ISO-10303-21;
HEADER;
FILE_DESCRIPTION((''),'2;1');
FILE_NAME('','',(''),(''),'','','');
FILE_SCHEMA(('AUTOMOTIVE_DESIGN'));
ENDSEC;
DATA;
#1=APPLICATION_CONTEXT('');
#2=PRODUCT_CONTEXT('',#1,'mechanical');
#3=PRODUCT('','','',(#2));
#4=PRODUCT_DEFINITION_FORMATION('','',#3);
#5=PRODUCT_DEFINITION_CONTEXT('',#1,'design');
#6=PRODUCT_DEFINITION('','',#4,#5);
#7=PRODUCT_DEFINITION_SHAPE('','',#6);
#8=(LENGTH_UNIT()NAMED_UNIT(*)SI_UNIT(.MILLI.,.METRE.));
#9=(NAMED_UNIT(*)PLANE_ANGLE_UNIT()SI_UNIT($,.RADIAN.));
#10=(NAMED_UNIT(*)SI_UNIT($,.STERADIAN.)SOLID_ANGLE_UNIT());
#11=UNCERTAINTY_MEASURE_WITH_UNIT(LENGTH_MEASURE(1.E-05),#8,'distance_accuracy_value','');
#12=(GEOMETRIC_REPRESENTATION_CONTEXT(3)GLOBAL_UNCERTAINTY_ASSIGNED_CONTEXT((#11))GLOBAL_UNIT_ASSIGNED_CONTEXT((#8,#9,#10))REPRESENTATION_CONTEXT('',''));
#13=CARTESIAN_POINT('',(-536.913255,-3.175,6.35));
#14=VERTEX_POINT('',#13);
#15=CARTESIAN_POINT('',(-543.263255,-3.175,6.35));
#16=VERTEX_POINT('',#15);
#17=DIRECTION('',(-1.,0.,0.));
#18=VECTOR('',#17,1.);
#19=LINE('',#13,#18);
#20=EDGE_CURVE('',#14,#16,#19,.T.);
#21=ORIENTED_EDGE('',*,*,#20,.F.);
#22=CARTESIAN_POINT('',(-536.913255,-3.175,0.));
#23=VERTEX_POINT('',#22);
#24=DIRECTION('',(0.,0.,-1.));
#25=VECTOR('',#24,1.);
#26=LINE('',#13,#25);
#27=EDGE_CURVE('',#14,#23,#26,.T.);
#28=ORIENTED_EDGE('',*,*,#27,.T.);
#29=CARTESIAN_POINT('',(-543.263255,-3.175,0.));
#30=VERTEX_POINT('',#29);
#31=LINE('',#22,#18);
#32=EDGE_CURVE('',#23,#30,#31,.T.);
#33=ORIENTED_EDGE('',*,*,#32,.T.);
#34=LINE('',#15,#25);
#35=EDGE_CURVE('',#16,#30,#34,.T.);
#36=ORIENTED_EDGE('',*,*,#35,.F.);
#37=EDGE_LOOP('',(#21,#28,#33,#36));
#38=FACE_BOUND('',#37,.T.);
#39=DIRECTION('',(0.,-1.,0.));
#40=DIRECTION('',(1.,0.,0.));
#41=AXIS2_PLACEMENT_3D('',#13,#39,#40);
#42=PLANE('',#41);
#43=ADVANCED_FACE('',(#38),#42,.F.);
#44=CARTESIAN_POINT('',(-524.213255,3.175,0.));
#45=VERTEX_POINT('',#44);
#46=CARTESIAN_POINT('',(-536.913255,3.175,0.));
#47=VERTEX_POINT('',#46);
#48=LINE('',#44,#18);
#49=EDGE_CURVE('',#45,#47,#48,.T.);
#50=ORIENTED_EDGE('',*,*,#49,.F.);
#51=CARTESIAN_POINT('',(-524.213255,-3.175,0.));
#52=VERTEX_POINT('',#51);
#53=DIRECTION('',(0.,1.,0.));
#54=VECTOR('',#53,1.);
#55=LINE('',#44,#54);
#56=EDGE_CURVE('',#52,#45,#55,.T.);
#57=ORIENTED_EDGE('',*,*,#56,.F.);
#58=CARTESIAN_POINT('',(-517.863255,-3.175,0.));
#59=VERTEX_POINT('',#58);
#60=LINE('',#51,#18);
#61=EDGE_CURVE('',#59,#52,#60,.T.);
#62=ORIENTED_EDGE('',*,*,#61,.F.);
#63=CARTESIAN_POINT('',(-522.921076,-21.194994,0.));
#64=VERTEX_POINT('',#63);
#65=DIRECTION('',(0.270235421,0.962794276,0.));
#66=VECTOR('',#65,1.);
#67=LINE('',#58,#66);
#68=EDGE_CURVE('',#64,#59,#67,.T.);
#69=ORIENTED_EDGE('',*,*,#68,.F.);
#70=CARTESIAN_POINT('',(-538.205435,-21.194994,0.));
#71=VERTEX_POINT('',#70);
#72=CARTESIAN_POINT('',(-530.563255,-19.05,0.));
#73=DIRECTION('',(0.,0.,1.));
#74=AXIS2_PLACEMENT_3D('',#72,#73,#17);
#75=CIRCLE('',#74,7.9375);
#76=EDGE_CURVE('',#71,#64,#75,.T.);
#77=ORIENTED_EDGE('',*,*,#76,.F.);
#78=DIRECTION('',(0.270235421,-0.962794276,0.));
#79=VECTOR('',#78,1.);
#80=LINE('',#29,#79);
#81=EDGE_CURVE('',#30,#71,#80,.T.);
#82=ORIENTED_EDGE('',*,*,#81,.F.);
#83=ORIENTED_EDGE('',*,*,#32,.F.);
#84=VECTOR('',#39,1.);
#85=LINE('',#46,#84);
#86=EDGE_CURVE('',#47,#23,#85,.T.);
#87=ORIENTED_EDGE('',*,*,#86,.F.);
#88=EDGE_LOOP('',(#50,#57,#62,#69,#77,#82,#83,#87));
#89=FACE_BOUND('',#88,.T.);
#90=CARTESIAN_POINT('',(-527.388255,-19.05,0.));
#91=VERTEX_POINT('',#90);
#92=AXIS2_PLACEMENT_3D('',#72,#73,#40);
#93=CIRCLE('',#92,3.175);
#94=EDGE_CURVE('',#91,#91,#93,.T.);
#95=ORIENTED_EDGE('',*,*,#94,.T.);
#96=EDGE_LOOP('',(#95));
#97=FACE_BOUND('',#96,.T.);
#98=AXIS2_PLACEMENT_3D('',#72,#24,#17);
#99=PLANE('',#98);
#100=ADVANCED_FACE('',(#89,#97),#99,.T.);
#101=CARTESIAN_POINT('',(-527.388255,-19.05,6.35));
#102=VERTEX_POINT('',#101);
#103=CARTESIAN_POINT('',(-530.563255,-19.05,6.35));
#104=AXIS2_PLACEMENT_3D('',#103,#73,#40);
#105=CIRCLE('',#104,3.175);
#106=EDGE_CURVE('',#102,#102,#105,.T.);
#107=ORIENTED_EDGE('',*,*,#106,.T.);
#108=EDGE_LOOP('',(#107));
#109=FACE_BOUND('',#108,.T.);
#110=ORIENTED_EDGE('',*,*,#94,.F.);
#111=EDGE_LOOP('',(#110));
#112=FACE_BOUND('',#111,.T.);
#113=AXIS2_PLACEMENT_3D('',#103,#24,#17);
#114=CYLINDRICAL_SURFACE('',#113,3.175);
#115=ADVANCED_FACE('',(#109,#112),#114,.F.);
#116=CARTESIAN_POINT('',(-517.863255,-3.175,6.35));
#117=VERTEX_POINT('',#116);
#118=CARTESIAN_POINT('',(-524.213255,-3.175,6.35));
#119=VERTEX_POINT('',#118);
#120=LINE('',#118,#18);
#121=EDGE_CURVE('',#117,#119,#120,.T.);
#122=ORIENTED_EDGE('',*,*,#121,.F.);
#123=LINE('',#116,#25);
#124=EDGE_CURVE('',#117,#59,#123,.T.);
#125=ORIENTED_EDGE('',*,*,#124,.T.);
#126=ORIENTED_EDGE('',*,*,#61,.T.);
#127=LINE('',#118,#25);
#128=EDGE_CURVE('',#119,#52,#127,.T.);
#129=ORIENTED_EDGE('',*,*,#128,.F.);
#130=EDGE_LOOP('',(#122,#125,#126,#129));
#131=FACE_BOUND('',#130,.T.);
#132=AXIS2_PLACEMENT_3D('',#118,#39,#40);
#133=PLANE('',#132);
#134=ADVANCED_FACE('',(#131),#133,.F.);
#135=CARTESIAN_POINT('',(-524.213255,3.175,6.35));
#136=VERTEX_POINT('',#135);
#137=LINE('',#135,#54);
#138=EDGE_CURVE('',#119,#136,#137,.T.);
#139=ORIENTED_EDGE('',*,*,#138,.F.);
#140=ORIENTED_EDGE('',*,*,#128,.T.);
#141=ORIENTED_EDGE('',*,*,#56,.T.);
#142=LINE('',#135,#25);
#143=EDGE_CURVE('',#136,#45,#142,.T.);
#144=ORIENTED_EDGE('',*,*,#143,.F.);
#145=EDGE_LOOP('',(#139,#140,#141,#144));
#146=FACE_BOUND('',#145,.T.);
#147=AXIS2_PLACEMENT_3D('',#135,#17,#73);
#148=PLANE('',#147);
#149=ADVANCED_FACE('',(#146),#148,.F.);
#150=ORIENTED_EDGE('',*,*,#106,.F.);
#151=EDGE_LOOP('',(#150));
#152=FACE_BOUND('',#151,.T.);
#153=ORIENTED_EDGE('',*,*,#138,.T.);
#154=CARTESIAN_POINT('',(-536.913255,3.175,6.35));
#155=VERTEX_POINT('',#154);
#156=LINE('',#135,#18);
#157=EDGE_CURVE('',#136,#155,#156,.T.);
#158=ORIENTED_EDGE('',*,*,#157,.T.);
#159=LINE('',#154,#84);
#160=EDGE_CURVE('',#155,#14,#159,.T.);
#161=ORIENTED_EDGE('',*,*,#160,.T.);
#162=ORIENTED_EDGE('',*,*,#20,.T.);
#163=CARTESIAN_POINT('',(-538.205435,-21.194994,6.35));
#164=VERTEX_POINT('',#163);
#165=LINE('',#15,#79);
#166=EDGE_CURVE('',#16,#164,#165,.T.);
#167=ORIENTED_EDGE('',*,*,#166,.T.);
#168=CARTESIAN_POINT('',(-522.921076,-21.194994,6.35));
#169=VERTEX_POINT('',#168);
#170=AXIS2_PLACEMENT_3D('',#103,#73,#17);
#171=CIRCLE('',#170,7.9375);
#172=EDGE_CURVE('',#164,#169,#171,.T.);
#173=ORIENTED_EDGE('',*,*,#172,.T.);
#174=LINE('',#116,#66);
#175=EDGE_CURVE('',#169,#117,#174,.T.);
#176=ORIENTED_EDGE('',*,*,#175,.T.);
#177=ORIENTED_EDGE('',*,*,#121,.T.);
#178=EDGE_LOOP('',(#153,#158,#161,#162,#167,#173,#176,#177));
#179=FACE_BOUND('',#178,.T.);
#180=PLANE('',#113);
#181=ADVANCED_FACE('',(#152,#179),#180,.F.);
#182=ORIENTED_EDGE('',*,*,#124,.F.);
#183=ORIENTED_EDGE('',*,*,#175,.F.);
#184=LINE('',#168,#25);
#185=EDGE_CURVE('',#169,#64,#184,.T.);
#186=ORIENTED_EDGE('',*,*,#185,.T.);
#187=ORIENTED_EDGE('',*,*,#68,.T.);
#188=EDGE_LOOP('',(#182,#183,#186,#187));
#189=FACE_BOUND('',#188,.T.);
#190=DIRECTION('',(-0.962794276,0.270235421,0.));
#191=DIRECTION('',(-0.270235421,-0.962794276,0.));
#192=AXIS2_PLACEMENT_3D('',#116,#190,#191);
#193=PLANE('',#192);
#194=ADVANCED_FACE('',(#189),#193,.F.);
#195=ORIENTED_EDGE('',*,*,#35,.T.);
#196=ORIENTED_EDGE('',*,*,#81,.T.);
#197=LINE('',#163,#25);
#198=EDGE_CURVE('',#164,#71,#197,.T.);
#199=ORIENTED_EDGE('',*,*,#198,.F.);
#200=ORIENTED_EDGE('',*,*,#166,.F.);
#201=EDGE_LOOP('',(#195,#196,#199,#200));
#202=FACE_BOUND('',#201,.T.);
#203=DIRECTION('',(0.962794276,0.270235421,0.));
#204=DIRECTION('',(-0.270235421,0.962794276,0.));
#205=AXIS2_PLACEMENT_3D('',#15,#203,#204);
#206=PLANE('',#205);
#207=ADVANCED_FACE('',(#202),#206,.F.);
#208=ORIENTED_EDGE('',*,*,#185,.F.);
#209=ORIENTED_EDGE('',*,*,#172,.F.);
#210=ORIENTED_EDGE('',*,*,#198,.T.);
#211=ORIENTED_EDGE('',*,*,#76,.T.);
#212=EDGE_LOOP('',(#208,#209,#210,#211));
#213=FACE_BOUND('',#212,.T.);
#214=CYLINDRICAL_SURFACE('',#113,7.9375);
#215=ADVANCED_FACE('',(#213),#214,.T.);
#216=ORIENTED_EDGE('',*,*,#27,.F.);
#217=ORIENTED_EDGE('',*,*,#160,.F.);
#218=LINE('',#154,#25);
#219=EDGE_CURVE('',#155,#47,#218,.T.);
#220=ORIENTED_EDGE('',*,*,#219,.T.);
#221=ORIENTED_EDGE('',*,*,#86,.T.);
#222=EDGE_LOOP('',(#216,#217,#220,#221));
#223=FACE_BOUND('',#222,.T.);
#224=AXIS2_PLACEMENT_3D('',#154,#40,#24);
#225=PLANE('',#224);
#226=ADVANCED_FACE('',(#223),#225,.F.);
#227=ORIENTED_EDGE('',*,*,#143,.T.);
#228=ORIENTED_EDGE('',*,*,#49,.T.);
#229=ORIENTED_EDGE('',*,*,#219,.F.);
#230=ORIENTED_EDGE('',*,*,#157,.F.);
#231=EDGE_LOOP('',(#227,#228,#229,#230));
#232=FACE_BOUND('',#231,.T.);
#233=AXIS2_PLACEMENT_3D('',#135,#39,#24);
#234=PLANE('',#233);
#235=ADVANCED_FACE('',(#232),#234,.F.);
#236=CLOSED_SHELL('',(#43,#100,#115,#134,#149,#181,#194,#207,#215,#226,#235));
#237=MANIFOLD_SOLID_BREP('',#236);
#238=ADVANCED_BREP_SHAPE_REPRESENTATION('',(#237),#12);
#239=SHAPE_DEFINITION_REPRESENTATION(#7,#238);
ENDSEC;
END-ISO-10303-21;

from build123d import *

# Parameters (mm, degrees)
SKETCH1_R           = 3.175
BOSS_EXTRUDE1_DEPTH = 6.35


with BuildPart() as part:
    # Sketch1 → Boss-Extrude1 (new body)
    with BuildSketch(Plane.XY):
        with BuildLine():
            Line((-524.213255123, 3.175), (-536.913255123, 3.175))
            Line((-536.913255123, 3.175), (-536.913255123, -3.175))
            Line((-536.913255123, -3.175), (-543.263255123, -3.175))
            Line((-543.263255123, -3.175), (-538.205434687, -21.194993651))
            ThreePointArc((-538.205434687, -21.194993651), (-530.563255123, -26.9875), (-522.921075559, -21.194993651))
            Line((-522.921075559, -21.194993651), (-517.863255123, -3.175))
            Line((-517.863255123, -3.175), (-524.213255123, -3.175))
            Line((-524.213255123, -3.175), (-524.213255123, 3.175))
        make_face()
        with Locations((-530.563255123, -19.05)):
            Circle(SKETCH1_R, mode=Mode.SUBTRACT)
    extrude(amount=BOSS_EXTRUDE1_DEPTH)


solid = part.part
